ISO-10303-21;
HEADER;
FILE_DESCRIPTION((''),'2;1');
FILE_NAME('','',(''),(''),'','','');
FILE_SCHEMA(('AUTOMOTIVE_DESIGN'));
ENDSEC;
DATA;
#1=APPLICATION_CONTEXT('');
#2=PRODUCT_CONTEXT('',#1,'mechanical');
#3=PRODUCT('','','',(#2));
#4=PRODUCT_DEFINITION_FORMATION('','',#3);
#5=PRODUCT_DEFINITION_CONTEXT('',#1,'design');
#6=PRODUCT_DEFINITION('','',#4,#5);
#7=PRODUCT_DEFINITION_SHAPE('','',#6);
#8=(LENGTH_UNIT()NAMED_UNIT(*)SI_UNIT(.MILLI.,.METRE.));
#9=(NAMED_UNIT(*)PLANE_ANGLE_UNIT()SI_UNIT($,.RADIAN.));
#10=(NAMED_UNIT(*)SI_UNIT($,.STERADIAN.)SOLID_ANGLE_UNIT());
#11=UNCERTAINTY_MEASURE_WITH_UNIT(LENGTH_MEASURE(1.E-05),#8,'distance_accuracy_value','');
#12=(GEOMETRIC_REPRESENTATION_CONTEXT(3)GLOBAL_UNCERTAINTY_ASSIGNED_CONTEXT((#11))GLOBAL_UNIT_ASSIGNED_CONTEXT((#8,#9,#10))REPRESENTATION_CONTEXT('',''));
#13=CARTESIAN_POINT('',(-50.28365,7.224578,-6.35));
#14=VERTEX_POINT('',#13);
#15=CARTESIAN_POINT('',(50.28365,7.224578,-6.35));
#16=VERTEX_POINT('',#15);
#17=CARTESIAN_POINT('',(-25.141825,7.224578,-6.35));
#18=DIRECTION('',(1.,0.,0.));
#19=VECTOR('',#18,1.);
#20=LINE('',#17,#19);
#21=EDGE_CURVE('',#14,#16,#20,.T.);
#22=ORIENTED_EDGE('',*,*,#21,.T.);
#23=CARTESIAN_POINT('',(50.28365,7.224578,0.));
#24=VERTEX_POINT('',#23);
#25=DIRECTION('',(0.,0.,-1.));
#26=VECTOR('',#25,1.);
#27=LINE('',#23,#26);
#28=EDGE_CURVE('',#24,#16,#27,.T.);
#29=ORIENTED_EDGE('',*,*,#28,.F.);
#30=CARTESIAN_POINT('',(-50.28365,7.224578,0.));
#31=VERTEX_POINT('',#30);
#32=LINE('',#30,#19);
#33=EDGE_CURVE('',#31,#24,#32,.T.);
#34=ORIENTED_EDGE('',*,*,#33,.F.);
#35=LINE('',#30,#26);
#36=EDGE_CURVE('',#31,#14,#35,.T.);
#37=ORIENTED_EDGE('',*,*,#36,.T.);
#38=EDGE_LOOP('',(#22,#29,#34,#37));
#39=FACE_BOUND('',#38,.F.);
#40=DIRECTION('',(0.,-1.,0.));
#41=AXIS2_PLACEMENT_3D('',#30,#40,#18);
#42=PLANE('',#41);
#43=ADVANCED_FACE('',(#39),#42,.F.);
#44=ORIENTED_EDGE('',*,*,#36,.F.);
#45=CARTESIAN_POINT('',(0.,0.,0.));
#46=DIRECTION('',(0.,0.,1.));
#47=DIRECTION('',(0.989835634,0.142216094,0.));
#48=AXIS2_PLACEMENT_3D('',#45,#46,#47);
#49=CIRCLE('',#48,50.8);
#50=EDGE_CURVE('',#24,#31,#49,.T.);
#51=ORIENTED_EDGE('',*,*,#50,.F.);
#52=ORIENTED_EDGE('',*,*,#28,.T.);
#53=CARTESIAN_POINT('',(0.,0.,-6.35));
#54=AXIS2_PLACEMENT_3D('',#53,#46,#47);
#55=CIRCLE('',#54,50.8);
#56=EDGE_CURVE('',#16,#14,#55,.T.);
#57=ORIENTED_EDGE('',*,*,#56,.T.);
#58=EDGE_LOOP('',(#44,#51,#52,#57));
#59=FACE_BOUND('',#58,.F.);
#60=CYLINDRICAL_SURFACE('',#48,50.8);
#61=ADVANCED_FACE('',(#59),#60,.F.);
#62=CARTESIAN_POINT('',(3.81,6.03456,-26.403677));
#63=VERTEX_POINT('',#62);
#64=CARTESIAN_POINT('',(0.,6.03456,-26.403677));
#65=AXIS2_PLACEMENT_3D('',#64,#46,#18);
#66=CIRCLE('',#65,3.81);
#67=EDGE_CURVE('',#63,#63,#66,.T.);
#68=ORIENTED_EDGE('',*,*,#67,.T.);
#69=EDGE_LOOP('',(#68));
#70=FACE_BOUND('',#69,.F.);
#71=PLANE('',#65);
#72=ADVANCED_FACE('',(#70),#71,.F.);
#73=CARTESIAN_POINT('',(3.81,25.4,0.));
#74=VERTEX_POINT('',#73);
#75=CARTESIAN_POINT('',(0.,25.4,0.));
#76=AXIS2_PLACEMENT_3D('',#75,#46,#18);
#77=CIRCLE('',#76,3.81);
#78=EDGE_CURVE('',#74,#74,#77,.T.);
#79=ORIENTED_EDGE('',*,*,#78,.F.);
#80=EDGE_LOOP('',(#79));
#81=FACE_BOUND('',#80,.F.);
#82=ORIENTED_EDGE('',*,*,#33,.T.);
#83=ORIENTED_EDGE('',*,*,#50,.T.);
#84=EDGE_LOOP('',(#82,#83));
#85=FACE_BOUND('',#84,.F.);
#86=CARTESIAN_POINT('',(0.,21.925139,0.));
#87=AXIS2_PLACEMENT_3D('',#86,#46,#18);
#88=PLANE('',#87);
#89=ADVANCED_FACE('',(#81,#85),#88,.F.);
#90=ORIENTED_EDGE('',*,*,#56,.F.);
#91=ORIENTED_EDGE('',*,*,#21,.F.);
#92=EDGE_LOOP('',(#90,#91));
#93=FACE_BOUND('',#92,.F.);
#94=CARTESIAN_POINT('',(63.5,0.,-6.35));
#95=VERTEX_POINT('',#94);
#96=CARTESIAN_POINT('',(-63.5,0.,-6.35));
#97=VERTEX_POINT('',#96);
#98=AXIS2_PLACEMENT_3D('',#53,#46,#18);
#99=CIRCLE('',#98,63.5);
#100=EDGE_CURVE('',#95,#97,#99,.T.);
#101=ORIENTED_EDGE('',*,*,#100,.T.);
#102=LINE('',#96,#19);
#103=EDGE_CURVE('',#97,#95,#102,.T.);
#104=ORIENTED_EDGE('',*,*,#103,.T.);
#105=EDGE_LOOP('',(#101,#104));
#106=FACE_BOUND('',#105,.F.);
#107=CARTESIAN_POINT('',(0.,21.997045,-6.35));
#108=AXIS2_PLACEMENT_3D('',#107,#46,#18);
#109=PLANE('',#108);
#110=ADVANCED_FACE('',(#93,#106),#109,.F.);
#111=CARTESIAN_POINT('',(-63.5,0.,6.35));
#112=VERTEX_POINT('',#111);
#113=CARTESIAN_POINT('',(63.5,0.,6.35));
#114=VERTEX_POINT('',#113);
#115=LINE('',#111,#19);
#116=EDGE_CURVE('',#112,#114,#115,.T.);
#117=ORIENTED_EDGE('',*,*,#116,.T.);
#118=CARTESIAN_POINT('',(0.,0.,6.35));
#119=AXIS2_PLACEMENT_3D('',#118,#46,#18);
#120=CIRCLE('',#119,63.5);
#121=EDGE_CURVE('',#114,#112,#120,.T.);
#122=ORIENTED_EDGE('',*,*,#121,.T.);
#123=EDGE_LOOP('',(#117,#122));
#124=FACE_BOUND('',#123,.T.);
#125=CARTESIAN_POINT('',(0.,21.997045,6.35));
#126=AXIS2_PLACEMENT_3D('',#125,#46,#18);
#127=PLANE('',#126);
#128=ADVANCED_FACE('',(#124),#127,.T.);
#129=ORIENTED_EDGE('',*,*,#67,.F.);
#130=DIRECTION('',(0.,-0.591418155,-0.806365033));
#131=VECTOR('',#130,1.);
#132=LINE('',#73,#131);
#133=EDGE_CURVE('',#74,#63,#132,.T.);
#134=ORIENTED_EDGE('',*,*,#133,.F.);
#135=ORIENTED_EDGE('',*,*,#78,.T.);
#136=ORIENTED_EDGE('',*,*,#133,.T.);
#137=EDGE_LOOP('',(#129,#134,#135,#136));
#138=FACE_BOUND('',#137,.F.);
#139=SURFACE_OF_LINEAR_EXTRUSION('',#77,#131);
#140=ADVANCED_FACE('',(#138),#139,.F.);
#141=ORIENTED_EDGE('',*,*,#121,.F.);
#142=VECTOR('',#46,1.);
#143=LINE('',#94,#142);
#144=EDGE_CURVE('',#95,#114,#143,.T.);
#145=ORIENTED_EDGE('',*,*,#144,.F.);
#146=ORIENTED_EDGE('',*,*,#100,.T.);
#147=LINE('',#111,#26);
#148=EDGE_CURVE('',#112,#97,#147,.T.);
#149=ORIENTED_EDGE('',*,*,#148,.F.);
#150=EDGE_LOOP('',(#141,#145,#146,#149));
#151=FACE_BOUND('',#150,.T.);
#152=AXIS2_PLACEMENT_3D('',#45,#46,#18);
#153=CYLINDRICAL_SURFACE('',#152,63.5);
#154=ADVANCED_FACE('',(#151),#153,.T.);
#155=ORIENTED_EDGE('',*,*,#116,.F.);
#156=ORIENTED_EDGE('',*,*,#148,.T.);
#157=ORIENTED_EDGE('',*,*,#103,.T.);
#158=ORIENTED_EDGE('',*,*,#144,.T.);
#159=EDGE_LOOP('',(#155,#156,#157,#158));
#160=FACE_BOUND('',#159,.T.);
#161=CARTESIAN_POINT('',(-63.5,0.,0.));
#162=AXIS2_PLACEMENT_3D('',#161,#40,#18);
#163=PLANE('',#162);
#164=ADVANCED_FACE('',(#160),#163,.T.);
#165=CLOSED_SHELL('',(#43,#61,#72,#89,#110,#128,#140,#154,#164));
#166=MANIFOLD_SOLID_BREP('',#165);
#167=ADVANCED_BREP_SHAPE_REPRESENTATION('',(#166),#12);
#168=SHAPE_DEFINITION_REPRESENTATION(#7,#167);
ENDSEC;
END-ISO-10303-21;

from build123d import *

# Parameters (mm, degrees)
F1_DEPTH = 6.35
F3_DEPTH = 25.4
F4_R     = 3.81


with BuildPart() as f1:
    # F0 (on Top) → F1 (new body, symmetric)
    with BuildSketch(Plane.XY):
        with BuildLine():
            Line((-63.5, 0), (63.5, 0))
            ThreePointArc((63.5, 0), (0, 63.5), (-63.5, 0))
        make_face()
    extrude(amount=F1_DEPTH, both=True)

    # F2 (on Top) → F3 (cut)
    with BuildSketch(Plane.XY):
        with BuildLine():
            Line((-50.2836502119, 7.2245775906), (50.2836502119, 7.2245775906))
            ThreePointArc((50.2836502119, 7.2245775906), (0, 50.8), (-50.2836502119, 7.2245775906))
        make_face()
    extrude(amount=-F3_DEPTH, mode=Mode.SUBTRACT)

    # F6: sweep along a path in F5
    with BuildLine(Plane.YZ) as f6_path:
        Line((25.5370624363, 0), (6.1716223136, -26.4036767185))
    # F4 (on Top) → F6 (sweep)
    with BuildSketch(Plane.XY):
        with Locations((0, 25.4)):
            Circle(F4_R)
    sweep(path=f6_path.line)


solid = f1.part
